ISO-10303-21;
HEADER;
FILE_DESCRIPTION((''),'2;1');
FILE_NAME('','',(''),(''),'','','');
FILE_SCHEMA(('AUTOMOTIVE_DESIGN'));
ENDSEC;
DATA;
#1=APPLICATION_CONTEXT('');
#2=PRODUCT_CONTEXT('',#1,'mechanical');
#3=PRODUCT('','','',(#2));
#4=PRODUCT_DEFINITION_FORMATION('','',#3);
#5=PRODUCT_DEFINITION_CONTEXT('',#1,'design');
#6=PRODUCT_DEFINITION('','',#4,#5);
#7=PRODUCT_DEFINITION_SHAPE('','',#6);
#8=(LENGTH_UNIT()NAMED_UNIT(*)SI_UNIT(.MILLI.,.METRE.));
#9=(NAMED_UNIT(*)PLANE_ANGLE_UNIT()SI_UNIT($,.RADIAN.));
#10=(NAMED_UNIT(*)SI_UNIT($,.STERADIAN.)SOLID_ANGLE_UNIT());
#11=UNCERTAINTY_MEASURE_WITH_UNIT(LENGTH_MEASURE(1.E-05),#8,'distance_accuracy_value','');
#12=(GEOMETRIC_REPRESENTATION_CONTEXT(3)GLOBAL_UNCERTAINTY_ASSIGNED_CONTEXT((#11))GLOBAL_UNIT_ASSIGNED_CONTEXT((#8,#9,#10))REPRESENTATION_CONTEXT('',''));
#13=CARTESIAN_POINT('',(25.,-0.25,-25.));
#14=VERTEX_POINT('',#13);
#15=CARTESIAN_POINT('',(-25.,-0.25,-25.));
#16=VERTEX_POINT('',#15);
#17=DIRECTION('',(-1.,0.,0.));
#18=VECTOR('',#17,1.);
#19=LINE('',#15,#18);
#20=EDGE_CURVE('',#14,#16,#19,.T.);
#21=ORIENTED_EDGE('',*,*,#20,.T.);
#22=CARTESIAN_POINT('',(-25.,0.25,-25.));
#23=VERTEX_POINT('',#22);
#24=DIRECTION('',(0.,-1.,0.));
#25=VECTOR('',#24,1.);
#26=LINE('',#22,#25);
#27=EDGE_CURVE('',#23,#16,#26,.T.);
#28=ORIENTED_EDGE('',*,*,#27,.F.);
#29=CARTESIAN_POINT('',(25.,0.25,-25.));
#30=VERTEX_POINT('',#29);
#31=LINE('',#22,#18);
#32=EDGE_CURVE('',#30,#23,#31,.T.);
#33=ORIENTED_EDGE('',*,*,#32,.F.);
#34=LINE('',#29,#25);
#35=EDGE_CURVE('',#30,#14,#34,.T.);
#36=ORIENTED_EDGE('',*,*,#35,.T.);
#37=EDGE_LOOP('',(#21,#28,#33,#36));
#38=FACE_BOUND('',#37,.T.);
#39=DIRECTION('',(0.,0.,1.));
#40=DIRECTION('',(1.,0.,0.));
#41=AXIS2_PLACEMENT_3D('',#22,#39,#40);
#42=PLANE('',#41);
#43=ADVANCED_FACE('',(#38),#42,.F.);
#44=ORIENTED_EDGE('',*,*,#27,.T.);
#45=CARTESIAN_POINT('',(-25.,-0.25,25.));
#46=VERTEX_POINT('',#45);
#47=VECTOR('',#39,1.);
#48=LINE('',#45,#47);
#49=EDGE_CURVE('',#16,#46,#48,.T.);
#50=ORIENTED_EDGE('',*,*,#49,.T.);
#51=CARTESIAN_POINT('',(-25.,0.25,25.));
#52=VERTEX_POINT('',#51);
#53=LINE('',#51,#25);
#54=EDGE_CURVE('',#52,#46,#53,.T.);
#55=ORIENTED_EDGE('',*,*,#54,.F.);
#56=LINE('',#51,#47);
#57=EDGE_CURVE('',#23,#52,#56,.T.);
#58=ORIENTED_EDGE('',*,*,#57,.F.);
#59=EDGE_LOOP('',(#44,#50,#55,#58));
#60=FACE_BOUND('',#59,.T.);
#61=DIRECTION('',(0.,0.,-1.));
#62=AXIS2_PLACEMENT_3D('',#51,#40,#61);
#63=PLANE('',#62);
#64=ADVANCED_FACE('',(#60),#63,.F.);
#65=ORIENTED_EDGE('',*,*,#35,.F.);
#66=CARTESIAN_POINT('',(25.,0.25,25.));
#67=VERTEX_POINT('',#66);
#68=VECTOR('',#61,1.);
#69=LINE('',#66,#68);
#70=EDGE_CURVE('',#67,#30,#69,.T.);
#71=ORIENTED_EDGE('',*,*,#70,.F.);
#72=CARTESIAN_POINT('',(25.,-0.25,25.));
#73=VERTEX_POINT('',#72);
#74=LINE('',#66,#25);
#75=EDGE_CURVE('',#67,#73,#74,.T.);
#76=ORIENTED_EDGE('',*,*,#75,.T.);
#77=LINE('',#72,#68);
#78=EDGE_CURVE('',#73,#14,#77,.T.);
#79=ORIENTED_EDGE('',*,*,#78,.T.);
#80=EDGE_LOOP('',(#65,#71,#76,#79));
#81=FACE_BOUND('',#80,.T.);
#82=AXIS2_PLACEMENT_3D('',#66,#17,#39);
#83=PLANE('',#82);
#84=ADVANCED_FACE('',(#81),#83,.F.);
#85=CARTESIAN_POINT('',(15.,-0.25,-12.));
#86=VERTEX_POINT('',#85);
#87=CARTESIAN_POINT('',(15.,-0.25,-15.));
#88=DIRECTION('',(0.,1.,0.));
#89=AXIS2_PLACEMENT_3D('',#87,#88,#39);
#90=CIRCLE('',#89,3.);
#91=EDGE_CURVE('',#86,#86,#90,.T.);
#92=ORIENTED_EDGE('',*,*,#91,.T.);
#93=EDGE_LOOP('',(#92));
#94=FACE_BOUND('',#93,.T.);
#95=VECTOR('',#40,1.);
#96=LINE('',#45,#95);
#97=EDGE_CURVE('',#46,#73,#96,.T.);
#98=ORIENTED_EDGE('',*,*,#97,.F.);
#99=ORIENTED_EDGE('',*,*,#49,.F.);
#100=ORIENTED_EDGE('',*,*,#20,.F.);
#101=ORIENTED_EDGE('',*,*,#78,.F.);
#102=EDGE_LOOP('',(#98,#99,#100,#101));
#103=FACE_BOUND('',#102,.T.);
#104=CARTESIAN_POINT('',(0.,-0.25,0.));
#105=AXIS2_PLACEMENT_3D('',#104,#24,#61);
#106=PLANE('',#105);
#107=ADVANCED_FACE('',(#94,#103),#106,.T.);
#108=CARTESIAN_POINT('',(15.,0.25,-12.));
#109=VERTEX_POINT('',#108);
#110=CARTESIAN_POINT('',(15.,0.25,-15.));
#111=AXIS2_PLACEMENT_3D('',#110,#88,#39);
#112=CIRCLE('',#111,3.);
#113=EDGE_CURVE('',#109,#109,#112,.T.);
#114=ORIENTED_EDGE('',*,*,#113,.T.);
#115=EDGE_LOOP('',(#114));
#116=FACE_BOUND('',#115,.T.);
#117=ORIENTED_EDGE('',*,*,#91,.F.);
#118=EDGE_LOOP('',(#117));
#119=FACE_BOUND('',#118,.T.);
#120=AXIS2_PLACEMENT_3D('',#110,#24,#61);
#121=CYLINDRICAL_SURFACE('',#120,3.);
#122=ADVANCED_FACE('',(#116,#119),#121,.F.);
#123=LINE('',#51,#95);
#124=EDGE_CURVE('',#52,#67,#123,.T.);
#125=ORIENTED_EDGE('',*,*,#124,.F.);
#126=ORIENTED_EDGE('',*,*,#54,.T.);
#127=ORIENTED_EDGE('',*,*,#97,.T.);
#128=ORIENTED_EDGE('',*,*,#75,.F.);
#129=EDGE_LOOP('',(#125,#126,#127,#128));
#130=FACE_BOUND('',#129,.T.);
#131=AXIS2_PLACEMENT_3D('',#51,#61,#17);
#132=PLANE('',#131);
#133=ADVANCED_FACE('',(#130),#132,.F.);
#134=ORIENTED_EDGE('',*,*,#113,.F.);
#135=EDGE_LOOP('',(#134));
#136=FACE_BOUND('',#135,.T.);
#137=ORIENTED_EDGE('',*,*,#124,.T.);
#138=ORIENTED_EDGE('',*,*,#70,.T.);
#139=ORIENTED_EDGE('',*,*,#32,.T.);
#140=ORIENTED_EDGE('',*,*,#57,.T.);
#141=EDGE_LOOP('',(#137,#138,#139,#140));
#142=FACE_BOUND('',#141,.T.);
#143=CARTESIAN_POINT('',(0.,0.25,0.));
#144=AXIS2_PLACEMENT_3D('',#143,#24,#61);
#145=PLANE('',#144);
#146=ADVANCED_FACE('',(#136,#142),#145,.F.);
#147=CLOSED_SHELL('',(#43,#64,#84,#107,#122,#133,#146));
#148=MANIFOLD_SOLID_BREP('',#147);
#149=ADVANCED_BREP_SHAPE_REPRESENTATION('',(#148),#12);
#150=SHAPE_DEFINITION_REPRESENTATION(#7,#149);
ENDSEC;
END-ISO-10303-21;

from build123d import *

# Parameters (mm, degrees)
SKETCH1_W           = 50
SKETCH1_H           = 50
SKETCH1_R           = 3
BOSS_EXTRUDE1_DEPTH = 0.25


with BuildPart() as part:
    # Sketch1 → Boss-Extrude1 (new, symmetric)
    with BuildSketch(Plane(origin=(0, 0, 0), x_dir=(1, 0, 0), z_dir=(0, 1, 0))):
        Rectangle(SKETCH1_W, SKETCH1_H)
        with Locations(Location((15, 15, 0), (0, 0, 270))):
            Circle(SKETCH1_R, mode=Mode.SUBTRACT)
    extrude(amount=BOSS_EXTRUDE1_DEPTH, both=True)


solid = part.part
